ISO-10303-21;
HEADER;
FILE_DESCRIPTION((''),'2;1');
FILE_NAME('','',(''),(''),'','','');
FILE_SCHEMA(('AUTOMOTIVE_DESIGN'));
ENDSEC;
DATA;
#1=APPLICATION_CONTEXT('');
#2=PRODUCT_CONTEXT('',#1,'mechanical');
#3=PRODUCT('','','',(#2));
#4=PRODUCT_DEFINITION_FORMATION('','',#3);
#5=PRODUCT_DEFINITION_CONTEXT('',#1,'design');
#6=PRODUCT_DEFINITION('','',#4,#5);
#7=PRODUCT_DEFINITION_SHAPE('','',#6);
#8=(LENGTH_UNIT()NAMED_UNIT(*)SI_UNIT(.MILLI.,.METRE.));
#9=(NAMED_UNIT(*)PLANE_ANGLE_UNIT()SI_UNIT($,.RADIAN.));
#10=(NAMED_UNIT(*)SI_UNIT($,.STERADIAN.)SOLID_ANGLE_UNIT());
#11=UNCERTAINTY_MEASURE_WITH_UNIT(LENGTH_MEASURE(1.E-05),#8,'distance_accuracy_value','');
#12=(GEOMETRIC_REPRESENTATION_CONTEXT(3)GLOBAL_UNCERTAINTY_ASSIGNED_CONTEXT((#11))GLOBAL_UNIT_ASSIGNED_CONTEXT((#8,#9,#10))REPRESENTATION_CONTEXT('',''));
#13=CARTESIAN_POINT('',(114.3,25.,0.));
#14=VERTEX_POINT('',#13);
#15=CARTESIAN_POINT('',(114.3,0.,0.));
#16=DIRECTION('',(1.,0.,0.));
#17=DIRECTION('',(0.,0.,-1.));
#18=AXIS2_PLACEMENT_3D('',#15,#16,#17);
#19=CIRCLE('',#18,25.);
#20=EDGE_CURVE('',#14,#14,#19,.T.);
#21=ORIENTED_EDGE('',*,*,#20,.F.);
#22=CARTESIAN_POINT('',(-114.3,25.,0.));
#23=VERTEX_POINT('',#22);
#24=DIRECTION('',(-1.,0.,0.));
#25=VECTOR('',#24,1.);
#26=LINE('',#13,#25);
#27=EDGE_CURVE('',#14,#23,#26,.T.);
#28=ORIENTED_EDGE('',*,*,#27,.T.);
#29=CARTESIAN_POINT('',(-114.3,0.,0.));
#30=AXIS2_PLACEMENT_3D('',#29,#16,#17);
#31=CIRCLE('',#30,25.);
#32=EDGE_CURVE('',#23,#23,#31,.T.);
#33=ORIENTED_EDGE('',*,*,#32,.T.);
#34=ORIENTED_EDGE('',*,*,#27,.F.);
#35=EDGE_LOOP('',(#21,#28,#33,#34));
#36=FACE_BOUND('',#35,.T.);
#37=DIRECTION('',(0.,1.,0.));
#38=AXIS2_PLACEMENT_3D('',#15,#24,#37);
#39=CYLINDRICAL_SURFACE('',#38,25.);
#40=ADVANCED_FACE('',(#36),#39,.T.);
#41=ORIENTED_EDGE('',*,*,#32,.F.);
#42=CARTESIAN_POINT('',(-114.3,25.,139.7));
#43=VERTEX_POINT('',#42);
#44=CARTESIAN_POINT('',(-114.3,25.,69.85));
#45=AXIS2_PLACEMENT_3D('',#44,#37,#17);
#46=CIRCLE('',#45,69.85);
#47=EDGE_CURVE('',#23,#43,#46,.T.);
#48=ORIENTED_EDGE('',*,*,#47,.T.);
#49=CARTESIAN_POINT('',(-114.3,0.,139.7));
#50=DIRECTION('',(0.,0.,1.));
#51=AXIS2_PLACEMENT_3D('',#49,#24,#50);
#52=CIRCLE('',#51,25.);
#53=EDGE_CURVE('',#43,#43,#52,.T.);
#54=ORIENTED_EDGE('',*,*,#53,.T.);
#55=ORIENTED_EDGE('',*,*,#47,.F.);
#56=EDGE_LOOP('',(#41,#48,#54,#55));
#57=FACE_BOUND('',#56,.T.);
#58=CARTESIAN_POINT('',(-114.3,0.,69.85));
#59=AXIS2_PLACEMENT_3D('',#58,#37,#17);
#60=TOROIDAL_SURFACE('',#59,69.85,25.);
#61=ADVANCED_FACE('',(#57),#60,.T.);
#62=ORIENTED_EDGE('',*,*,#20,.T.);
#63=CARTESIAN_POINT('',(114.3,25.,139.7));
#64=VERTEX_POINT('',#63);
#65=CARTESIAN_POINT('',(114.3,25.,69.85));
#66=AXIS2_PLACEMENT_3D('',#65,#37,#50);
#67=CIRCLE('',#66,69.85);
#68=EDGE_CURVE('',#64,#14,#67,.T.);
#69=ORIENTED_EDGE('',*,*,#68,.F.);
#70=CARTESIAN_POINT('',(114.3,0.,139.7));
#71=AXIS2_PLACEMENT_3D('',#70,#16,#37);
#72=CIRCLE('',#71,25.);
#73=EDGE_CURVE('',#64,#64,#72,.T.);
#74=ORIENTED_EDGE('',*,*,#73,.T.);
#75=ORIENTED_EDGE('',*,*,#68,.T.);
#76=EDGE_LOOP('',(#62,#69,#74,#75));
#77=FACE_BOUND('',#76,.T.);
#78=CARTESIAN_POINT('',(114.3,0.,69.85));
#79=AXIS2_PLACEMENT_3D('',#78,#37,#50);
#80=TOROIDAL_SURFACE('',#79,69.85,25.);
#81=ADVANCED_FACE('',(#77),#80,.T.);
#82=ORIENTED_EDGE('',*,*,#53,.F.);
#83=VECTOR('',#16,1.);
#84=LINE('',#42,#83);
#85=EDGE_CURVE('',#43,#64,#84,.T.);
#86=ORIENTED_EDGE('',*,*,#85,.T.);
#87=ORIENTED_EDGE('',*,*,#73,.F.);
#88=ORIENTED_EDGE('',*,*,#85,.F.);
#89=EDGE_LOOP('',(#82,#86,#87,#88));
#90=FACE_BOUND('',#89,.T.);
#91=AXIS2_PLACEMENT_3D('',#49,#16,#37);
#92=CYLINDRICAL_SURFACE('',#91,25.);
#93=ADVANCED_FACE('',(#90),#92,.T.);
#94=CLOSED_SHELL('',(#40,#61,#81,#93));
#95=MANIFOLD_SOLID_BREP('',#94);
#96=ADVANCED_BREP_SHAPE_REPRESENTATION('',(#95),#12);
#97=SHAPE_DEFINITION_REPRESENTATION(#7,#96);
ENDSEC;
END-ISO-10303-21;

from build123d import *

# Parameters (mm, degrees)
F1_R = 25


with BuildPart() as f2:
    # F2: sweep along a path in F0
    with BuildLine(Plane.XZ) as f2_path:
        Line((0, 0), (-114.3, 0))
        ThreePointArc((-114.3, 0), (-184.15, 69.85), (-114.3, 139.7))
        Line((-114.3, 139.7), (114.3, 139.7))
        ThreePointArc((114.3, 139.7), (184.15, 69.85), (114.3, 0))
        Line((114.3, 0), (0, 0))
    # F1 (on Right) → F2 (sweep)
    with BuildSketch(Plane.YZ):
        Circle(F1_R)
    sweep(path=f2_path.line)


solid = f2.part
